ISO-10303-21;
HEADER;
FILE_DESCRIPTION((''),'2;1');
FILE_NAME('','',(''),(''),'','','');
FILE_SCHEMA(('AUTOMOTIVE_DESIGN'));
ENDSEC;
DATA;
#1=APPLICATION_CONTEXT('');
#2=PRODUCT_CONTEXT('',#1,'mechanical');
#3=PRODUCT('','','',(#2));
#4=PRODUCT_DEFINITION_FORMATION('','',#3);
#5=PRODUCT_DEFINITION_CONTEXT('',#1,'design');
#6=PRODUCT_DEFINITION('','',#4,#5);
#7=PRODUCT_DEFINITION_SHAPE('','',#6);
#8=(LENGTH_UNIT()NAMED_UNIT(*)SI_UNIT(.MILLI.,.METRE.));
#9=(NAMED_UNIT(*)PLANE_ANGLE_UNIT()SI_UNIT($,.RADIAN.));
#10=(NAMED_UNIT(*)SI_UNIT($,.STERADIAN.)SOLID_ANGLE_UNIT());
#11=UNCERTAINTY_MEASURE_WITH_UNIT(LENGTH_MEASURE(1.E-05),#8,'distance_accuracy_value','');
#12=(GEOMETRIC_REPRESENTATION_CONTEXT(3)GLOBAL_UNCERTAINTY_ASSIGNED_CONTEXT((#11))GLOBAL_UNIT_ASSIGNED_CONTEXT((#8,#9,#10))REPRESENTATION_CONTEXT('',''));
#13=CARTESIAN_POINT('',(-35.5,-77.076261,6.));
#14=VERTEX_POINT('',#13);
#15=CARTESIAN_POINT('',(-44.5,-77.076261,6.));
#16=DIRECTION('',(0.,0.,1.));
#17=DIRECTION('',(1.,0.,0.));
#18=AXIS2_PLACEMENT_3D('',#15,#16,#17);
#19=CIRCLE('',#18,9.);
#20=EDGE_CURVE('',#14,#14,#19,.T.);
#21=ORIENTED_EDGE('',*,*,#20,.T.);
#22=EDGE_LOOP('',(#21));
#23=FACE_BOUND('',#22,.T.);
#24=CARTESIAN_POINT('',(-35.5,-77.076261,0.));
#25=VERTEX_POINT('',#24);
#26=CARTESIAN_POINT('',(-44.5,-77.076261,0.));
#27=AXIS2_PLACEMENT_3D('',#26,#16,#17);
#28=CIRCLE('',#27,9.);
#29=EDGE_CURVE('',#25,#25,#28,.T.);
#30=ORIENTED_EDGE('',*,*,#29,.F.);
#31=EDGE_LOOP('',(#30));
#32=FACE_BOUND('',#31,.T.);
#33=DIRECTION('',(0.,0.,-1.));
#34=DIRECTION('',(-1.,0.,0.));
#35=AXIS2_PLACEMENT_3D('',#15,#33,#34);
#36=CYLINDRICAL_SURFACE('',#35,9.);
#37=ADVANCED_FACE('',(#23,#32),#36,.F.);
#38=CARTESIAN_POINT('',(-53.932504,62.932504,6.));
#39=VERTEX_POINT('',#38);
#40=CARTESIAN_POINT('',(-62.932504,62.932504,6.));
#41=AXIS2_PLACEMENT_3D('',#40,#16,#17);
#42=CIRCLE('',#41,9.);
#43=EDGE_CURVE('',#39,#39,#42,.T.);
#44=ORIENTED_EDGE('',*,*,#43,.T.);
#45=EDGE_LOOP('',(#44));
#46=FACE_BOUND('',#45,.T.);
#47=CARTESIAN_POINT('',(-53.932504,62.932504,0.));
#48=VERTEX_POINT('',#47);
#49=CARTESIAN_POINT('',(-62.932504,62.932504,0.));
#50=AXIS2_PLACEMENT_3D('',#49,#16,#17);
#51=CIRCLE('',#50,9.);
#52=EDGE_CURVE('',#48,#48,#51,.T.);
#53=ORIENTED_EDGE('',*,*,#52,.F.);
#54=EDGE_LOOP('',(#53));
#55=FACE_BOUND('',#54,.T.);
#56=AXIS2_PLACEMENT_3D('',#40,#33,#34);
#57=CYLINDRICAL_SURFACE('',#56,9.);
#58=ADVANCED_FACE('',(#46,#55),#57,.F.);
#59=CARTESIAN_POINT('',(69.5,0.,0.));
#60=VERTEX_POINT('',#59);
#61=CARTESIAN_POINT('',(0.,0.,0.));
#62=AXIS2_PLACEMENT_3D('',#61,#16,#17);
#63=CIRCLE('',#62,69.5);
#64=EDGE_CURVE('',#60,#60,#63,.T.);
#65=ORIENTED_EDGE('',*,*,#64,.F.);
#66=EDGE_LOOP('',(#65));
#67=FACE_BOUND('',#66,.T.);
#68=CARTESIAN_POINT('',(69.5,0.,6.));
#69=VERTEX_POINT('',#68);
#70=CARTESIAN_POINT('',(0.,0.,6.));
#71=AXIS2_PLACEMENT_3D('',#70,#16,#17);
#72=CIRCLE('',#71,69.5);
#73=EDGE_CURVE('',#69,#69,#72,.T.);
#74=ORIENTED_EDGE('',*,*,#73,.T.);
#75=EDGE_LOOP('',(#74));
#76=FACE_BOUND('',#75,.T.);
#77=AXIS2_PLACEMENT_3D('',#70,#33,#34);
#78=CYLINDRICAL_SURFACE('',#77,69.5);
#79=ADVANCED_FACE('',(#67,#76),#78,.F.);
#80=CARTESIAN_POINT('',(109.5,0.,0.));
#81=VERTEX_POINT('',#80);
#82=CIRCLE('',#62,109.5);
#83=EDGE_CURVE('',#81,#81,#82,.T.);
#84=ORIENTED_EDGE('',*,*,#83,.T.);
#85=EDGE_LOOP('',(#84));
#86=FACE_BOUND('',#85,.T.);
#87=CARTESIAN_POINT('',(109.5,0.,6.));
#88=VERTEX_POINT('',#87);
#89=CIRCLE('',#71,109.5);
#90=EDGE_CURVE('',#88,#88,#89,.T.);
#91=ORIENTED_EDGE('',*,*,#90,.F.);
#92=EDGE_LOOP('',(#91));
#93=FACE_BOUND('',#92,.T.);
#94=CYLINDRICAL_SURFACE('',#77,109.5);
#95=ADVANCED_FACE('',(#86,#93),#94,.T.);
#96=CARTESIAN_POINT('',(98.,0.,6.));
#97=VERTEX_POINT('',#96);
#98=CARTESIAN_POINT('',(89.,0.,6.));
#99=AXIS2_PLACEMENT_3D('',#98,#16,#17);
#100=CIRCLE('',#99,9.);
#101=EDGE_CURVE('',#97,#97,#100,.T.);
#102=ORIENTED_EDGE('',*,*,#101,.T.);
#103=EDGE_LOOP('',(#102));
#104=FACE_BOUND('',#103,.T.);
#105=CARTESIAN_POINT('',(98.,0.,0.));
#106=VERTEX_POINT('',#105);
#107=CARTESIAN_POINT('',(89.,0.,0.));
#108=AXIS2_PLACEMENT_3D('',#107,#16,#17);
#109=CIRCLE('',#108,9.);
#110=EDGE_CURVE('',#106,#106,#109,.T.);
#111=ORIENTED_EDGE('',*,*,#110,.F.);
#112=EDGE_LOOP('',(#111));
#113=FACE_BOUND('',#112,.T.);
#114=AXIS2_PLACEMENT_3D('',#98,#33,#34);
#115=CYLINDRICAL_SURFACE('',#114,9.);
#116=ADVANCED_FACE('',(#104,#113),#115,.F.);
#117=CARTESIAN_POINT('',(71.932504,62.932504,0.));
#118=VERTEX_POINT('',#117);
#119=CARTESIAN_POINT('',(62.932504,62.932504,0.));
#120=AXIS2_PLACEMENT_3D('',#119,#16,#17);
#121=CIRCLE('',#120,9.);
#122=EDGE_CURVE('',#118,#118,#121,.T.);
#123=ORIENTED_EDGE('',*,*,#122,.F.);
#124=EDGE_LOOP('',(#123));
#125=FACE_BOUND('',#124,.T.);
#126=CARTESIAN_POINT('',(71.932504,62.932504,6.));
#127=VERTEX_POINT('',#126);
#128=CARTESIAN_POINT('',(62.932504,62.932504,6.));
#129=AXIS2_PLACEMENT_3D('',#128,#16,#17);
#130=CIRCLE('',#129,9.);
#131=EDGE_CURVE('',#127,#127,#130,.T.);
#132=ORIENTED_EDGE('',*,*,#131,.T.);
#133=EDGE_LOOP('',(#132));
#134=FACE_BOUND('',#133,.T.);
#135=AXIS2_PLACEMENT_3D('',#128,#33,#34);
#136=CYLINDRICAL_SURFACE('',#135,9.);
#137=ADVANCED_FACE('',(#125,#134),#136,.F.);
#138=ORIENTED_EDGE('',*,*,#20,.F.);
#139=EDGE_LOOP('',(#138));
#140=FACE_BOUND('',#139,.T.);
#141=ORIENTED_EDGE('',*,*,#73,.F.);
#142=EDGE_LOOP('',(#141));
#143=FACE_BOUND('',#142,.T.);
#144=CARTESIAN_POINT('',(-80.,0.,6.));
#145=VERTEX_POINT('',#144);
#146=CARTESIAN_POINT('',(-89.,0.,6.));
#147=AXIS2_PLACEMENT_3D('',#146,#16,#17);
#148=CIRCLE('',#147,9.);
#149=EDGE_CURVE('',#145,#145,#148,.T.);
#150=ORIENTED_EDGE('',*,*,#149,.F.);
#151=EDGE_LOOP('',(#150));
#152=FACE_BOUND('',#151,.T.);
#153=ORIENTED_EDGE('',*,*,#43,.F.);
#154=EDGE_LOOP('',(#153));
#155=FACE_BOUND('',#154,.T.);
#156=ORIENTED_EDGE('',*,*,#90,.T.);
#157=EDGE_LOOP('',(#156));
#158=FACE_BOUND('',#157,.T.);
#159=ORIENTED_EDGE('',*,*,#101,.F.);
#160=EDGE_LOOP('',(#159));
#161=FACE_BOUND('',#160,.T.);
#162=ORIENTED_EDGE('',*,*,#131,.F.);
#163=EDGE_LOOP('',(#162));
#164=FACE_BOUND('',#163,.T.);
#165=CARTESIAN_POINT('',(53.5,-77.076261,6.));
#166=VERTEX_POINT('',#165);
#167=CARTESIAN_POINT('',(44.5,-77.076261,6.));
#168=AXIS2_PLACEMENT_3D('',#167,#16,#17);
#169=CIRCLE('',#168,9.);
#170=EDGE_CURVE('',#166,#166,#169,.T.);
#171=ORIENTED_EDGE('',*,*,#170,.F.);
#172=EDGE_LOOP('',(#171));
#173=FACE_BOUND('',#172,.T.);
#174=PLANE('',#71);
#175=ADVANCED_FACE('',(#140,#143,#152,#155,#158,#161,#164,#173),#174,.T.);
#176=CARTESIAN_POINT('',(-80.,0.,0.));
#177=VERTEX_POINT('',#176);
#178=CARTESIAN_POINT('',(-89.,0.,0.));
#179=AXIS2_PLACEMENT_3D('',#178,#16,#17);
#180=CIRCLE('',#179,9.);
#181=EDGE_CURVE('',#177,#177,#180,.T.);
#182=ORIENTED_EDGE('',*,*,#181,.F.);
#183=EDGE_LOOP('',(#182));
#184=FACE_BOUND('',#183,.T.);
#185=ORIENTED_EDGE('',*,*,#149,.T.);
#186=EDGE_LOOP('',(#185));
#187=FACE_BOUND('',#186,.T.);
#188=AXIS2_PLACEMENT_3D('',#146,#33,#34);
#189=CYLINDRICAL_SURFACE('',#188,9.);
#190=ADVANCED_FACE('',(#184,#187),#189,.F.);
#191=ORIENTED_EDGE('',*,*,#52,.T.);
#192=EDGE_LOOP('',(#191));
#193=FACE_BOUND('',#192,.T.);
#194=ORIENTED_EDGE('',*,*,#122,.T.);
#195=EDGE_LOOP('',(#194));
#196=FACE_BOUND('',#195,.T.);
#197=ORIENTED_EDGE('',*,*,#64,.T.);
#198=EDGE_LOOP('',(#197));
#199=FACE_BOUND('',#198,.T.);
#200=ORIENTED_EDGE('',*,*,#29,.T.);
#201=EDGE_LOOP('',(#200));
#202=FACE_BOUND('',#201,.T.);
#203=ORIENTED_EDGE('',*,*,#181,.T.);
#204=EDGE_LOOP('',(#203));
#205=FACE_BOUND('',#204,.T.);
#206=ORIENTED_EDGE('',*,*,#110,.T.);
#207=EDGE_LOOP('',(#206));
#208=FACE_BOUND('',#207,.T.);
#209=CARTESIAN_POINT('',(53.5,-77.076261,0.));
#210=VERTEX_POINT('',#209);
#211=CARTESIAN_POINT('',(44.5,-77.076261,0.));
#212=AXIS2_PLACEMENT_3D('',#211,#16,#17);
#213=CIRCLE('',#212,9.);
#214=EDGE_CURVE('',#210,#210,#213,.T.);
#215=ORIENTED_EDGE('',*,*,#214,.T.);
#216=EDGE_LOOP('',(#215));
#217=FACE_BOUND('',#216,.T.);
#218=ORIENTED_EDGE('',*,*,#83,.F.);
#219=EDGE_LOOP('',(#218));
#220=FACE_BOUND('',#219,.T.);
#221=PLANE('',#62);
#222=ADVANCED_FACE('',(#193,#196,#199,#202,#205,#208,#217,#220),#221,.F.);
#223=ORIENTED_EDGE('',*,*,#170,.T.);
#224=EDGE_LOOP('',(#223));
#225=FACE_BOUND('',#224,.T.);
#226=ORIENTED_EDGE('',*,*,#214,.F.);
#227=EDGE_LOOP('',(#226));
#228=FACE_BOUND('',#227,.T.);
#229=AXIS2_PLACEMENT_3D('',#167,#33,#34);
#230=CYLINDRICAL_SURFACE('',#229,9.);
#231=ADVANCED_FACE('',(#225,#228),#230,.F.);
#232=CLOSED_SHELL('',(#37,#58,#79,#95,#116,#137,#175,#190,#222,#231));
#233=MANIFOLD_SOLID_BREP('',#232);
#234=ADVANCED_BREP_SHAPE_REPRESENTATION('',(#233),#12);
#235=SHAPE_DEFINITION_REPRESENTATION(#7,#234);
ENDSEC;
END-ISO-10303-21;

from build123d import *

# Parameters (mm, degrees)
SKETCH_1_R      = 109.5
SKETCH_1_R_2    = 69.5
SKETCH_1_R_3    = 9
EXTRUDE_1_DEPTH = 6


with BuildPart() as part:
    # Эскиз1 → Бобышка-Вытянуть1 (new body)
    with BuildSketch(Plane.XY):
        Circle(SKETCH_1_R)
        Circle(SKETCH_1_R_2, mode=Mode.SUBTRACT)
        with Locations((62.932503526, 62.932503526)):
            Circle(SKETCH_1_R_3, mode=Mode.SUBTRACT)
        with Locations((89, 0)):
            Circle(SKETCH_1_R_3, mode=Mode.SUBTRACT)
        with Locations((-44.5, -77.076260937)):
            Circle(SKETCH_1_R_3, mode=Mode.SUBTRACT)
        with Locations((44.5, -77.076260937)):
            Circle(SKETCH_1_R_3, mode=Mode.SUBTRACT)
        with Locations((-89, 0)):
            Circle(SKETCH_1_R_3, mode=Mode.SUBTRACT)
        with Locations((-62.932503526, 62.932503526)):
            Circle(SKETCH_1_R_3, mode=Mode.SUBTRACT)
    extrude(amount=EXTRUDE_1_DEPTH)


solid = part.part
